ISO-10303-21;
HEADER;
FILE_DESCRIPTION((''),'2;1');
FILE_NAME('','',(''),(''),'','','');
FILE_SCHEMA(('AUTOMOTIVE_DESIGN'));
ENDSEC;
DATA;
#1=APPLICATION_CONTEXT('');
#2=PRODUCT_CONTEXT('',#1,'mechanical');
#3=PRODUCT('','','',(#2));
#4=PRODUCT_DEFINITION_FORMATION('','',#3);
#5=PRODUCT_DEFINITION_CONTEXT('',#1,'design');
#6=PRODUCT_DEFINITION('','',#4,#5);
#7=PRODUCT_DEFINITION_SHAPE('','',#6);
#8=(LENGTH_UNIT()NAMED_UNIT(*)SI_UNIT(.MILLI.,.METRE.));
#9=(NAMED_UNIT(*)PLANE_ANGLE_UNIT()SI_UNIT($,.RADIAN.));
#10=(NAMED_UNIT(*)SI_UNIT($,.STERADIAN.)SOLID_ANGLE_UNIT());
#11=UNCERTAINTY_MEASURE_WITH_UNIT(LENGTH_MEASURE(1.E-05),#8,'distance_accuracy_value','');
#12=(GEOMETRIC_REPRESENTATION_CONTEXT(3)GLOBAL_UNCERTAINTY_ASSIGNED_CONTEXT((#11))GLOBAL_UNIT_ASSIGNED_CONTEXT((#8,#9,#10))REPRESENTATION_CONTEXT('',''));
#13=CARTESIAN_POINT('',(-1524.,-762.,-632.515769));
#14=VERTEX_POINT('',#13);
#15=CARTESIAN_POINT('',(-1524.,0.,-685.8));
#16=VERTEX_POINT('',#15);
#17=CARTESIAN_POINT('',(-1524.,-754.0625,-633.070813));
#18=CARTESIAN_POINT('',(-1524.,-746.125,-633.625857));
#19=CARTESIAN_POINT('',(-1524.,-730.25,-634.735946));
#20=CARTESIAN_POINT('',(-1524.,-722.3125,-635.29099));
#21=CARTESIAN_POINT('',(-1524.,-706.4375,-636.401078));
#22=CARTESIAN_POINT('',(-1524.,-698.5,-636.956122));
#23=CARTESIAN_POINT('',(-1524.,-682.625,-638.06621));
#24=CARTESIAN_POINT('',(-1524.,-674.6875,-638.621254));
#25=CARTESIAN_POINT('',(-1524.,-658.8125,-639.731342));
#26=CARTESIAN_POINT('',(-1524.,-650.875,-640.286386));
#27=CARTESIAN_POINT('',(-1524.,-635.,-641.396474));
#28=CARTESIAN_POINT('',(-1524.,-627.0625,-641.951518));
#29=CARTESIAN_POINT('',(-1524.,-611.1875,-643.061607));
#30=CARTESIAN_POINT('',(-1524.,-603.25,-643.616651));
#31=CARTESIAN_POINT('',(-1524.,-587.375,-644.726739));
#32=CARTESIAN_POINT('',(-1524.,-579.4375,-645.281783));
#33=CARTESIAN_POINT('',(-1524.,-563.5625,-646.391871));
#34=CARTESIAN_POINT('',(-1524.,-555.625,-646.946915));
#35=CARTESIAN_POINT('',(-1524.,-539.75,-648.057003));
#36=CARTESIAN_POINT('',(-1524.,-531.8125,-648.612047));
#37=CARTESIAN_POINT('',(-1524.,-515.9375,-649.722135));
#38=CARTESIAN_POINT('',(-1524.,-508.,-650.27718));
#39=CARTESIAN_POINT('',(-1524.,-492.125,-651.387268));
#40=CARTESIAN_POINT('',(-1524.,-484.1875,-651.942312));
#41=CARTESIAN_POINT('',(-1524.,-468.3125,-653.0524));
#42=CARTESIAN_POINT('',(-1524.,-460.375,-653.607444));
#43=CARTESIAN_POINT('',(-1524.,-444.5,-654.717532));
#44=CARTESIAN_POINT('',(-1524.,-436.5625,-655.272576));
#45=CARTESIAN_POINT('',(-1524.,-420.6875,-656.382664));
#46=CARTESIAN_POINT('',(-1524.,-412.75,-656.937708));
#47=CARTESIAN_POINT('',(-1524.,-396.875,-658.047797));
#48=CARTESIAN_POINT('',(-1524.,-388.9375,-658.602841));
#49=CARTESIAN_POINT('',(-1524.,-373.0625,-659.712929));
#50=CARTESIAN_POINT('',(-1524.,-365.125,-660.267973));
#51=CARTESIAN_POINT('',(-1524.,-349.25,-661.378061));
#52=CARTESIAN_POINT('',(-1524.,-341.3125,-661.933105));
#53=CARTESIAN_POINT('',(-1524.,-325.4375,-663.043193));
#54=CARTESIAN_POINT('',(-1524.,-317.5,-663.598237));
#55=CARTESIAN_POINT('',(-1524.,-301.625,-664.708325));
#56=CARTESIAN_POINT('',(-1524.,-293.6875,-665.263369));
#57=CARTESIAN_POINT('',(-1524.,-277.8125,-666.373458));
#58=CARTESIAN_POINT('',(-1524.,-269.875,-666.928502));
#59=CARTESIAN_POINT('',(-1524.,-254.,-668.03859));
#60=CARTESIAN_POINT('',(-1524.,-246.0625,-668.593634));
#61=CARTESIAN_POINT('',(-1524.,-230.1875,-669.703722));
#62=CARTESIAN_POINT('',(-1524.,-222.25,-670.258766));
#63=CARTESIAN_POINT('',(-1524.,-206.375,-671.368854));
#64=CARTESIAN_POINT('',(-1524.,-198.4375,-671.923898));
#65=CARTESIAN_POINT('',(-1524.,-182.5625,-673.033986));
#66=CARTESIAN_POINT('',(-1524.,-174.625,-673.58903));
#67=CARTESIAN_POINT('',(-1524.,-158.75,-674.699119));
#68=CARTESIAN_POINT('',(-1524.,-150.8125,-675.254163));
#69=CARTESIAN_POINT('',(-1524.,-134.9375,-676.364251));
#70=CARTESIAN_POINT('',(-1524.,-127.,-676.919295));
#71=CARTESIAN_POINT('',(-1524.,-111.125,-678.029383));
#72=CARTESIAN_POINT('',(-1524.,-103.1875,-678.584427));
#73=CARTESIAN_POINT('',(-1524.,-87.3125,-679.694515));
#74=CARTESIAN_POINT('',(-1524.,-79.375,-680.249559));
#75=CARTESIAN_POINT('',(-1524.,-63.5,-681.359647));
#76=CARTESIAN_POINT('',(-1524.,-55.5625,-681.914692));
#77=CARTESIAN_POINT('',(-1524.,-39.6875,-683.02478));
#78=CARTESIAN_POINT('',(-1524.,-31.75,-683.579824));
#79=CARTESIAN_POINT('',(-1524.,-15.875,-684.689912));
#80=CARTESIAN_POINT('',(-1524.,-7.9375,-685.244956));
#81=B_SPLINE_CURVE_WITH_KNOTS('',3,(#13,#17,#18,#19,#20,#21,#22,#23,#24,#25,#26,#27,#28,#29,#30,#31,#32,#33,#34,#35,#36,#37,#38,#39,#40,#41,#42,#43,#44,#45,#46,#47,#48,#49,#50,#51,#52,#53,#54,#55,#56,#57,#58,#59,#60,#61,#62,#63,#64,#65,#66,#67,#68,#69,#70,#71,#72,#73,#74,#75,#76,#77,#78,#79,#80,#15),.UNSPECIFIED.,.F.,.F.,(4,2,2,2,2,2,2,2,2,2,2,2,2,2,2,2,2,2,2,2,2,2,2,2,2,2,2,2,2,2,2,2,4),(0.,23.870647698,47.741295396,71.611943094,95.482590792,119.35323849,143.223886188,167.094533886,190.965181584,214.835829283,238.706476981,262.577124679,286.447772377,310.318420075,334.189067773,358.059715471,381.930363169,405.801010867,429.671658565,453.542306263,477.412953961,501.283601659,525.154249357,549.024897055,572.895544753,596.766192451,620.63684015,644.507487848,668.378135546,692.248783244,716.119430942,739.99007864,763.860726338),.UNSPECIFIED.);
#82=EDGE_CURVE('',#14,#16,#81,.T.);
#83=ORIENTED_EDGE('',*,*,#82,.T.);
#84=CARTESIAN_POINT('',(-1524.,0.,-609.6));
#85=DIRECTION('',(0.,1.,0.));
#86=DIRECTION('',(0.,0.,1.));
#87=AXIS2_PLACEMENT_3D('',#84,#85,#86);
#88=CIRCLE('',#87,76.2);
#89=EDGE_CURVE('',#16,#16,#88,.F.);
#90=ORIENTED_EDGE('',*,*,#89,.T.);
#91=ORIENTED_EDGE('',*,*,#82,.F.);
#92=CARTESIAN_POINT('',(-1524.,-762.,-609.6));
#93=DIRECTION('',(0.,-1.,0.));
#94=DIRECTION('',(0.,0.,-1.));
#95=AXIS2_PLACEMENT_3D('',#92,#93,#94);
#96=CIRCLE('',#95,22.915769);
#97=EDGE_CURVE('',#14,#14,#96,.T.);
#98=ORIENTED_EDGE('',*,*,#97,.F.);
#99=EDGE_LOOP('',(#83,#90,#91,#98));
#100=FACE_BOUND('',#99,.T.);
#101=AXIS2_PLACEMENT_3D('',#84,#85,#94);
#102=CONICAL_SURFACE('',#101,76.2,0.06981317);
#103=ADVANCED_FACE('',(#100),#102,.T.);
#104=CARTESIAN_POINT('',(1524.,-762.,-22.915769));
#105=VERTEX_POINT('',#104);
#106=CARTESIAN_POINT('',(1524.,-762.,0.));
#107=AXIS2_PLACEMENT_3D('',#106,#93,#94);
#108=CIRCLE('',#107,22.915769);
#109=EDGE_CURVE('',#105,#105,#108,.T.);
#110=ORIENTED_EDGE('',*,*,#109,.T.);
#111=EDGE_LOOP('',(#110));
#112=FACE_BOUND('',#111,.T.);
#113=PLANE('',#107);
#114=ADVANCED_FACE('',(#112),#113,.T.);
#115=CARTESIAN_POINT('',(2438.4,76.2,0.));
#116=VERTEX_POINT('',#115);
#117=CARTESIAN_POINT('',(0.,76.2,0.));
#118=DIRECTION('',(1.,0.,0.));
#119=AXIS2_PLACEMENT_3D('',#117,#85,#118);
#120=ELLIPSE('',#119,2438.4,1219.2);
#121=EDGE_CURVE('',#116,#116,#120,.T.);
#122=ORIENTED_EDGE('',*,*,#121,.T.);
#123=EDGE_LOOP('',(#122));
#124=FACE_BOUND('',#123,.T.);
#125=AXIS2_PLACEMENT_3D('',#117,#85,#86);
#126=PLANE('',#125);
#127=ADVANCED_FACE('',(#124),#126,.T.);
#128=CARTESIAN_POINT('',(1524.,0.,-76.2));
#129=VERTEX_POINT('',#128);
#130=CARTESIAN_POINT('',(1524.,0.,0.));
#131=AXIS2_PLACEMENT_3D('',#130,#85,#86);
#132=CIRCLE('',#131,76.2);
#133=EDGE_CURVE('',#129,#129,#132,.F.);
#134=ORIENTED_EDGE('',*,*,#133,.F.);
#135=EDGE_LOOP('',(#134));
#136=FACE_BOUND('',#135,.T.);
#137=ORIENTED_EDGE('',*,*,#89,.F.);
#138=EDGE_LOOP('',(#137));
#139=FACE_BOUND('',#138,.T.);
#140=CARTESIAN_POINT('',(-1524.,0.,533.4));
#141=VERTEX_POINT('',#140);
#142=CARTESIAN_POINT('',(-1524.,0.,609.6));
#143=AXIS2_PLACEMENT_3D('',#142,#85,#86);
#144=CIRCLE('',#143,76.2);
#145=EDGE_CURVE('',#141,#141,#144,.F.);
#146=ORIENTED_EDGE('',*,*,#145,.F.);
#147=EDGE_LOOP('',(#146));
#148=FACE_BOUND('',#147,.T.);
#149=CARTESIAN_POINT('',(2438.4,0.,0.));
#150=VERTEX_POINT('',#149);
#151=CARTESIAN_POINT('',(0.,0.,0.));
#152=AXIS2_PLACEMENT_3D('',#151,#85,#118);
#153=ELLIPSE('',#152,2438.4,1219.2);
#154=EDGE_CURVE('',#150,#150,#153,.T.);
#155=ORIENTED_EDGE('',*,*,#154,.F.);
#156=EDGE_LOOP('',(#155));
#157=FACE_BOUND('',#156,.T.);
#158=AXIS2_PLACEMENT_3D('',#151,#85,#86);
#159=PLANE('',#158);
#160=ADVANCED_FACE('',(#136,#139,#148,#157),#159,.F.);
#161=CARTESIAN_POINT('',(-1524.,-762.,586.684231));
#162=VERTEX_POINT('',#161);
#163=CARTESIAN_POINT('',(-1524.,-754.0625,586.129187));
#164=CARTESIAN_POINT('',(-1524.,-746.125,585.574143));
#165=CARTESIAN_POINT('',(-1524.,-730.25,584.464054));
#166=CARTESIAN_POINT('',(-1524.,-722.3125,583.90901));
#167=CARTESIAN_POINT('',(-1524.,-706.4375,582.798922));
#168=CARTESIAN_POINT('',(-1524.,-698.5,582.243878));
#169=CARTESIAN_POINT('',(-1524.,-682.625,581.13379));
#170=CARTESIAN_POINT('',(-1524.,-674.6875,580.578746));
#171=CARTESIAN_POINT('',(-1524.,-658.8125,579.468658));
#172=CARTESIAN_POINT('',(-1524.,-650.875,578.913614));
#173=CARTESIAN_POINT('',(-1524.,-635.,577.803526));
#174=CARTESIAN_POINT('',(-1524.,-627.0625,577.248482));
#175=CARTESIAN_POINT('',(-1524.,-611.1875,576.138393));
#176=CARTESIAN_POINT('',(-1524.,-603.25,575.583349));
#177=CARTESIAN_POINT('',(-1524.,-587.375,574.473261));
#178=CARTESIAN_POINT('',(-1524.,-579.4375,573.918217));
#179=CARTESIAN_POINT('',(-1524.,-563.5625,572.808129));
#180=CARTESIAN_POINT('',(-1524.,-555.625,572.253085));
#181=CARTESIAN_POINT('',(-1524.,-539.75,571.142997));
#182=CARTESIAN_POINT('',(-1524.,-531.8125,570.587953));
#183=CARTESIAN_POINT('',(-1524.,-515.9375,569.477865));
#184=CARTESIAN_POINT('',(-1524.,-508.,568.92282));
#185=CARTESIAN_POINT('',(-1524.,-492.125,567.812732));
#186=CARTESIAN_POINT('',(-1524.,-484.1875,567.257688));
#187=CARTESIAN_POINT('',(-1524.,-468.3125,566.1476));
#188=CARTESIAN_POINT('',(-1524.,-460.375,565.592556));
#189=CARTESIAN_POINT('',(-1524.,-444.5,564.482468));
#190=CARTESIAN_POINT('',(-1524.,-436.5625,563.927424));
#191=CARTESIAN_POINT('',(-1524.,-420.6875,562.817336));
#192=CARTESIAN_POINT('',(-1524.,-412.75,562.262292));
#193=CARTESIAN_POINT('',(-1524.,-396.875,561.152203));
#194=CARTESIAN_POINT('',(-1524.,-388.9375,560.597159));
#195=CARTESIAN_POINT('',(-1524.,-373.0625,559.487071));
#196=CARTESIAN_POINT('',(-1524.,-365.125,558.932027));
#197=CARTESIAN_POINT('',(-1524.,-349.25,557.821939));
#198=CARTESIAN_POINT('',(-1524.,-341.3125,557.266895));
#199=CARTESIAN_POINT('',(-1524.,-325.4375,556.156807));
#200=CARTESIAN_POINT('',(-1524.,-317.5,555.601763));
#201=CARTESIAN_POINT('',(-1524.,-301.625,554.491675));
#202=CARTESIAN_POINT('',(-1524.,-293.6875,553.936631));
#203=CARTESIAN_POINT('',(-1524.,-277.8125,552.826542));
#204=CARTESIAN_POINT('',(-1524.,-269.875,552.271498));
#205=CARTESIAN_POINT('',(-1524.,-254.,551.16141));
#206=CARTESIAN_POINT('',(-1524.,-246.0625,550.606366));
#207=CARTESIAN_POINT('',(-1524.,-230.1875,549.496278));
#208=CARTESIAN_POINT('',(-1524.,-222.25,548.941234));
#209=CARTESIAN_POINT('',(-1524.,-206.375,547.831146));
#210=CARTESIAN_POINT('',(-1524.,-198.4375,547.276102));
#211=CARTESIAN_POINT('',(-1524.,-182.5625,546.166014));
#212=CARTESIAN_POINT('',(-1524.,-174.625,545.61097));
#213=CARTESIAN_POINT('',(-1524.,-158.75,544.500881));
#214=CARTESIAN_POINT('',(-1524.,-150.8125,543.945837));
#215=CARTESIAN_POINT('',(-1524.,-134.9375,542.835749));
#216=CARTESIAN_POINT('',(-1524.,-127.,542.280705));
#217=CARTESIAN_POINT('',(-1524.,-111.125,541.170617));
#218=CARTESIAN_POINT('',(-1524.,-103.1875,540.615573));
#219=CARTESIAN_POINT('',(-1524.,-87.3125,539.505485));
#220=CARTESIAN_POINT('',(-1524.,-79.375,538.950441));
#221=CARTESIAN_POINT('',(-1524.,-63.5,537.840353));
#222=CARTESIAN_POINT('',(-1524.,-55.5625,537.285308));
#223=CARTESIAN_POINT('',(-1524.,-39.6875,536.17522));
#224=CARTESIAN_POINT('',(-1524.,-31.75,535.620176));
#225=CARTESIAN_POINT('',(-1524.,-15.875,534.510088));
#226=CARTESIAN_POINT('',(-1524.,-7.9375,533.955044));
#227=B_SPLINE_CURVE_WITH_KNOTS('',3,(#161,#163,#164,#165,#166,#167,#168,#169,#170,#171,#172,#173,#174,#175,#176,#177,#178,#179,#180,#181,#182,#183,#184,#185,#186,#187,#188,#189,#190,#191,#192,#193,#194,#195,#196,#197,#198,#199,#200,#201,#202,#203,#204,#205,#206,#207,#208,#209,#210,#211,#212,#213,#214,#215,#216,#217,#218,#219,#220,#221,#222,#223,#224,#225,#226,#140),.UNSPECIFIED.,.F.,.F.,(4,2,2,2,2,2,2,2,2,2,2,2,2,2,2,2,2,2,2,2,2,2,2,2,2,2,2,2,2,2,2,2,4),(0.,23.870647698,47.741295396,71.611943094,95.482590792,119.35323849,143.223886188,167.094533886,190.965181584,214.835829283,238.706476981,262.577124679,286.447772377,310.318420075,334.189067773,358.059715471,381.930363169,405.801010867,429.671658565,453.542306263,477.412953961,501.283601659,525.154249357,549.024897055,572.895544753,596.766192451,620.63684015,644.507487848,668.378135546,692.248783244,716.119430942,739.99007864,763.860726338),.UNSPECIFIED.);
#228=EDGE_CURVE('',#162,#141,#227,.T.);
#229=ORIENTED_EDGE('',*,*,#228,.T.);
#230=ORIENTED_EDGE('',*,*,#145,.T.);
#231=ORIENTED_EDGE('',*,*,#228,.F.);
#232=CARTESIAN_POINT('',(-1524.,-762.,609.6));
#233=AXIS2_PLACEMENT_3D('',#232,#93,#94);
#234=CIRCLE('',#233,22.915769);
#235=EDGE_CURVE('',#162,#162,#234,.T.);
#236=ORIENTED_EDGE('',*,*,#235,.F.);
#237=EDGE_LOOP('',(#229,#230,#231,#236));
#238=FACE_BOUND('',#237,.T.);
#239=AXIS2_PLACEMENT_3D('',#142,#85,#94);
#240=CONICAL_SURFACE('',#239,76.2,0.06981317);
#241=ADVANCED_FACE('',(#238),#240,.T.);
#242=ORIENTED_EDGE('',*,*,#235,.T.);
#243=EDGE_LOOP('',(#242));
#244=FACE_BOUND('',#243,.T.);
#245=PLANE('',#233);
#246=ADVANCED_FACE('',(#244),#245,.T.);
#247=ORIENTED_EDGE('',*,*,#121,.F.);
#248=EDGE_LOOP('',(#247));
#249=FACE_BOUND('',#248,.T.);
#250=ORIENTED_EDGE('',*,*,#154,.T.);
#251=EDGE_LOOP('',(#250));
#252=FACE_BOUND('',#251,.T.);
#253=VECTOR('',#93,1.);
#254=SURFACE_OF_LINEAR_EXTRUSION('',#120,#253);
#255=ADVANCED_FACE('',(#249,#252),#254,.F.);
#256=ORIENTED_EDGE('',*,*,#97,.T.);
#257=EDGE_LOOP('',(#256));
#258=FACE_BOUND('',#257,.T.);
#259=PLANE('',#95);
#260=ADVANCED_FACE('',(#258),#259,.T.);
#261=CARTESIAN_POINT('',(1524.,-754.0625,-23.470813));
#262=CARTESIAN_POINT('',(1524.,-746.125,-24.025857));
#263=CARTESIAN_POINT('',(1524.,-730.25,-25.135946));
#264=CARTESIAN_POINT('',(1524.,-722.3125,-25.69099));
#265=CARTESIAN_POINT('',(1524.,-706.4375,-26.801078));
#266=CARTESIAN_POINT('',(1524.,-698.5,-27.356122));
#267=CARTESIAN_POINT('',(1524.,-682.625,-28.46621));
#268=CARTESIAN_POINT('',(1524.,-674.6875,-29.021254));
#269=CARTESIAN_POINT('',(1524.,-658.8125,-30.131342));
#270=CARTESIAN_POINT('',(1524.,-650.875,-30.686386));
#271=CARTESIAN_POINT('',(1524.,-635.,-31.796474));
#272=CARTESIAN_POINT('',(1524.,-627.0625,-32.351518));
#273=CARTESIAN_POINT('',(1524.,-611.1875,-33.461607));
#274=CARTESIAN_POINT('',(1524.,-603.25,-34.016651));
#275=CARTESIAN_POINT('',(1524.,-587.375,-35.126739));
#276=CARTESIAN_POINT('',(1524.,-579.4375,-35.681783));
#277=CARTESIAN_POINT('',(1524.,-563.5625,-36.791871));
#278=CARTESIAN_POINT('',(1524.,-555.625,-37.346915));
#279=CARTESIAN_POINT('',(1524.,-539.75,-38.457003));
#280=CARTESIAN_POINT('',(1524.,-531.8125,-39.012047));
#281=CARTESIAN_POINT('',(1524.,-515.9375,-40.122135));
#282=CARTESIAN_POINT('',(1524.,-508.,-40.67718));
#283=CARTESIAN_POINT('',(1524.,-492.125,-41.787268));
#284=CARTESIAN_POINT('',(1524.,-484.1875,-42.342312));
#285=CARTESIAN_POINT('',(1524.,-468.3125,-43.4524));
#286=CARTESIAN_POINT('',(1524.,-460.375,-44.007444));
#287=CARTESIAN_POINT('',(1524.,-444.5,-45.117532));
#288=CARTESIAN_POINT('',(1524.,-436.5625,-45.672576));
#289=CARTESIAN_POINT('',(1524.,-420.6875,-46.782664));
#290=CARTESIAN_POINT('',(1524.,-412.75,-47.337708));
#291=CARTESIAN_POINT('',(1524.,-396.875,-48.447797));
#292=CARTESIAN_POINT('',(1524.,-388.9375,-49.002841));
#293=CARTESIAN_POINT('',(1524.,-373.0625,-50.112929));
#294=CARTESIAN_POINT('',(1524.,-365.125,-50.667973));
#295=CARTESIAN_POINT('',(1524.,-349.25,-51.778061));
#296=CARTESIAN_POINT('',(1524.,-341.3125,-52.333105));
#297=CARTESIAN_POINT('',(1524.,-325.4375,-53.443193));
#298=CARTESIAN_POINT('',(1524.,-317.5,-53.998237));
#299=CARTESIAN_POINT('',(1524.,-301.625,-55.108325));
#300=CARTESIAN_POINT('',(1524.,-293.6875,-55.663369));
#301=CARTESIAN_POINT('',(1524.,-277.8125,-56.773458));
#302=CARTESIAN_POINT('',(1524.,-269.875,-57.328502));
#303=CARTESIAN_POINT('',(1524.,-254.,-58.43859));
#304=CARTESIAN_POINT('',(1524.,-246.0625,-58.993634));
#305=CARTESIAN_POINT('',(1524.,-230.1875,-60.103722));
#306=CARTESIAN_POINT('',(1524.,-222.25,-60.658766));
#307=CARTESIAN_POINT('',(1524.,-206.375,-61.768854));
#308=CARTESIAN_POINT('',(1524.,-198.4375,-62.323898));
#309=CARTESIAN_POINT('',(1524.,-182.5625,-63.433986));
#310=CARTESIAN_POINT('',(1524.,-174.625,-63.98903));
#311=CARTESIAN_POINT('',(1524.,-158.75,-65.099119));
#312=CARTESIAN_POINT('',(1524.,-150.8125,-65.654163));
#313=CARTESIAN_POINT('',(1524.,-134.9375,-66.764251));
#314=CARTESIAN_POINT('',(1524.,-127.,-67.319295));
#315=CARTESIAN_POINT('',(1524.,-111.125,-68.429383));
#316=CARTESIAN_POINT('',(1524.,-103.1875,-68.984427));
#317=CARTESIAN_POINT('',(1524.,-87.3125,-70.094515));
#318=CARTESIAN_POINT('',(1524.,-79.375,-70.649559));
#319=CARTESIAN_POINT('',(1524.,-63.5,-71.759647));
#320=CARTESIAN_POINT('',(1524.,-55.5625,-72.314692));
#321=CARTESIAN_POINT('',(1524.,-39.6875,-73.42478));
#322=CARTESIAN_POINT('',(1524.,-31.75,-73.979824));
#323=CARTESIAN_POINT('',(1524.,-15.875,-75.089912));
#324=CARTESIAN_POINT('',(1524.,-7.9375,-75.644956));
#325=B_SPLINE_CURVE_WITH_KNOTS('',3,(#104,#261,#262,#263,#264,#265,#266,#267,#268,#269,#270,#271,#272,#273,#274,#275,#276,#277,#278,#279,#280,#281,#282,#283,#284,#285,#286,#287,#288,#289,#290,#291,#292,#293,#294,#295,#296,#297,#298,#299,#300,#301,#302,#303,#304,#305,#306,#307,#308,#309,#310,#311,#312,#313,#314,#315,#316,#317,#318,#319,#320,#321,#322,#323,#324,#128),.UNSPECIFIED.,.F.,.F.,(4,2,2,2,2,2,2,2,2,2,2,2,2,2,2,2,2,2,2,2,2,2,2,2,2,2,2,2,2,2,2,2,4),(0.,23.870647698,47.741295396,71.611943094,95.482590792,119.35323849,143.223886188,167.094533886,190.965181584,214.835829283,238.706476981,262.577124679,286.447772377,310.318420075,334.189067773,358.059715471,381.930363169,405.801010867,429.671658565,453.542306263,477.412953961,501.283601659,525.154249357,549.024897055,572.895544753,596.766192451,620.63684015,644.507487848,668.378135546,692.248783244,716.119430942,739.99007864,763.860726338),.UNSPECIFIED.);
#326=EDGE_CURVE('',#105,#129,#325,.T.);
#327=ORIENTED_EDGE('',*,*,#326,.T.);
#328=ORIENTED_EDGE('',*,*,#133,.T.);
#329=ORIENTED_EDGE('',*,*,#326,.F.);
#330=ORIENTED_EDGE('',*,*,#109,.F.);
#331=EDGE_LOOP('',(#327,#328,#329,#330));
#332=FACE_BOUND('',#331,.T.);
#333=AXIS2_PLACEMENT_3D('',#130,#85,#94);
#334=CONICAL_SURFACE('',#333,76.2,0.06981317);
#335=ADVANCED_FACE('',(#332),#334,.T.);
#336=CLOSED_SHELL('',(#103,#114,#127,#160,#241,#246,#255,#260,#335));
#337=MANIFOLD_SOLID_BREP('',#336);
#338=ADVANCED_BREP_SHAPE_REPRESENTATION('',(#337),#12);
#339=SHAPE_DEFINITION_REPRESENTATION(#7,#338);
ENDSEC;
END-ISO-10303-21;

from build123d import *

# Parameters (mm, degrees)
SKETCH2_RX                    = 2438.4
SKETCH2_RY                    = 1219.2
BOSS_EXTRUDE2_DEPTH           = 76.2
SKETCH3_R                     = 76.2
BOSS_EXTRUDE3_DEPTH           = 762
BOSS_EXTRUDE3_DRAFT           = 4
BOSS_EXTRUDE3_PROFILE_2_DEPTH = 762
BOSS_EXTRUDE3_PROFILE_2_DRAFT = 4
BOSS_EXTRUDE3_PROFILE_3_DEPTH = 762
BOSS_EXTRUDE3_PROFILE_3_DRAFT = 4


with BuildPart() as part:
    # Sketch2 → Boss-Extrude2 (new body)
    with BuildSketch(Plane(origin=(0, 0, 0), x_dir=(1, 0, 0), z_dir=(0, 1, 0))):
        with Locations((0, 0)):
            Ellipse(SKETCH2_RX, SKETCH2_RY)
    extrude(amount=BOSS_EXTRUDE2_DEPTH)


with BuildPart() as boss_extrude3_tool:
    # Sketch3 → Boss-Extrude3 (with draft: the straight prism first)
    with BuildSketch(Plane(origin=(0, 0, 0), x_dir=(-1, 0, 0), z_dir=(0, -1, 0))):
        with Locations((1524, -609.6)):
            Circle(SKETCH3_R)
    extrude(amount=BOSS_EXTRUDE3_DEPTH)
    # Boss-Extrude3: the draft: its side faces are tilted about the plane it starts from
    boss_extrude3_sides = [boss_extrude3_tool.faces().sort_by_distance(p)[0] for p in [
        (-1447.8, -381, 609.6),
    ]]
    draft(boss_extrude3_sides, Plane(origin=(0, 0, 0), x_dir=(-1, 0, 0), z_dir=(0, -1, 0)), BOSS_EXTRUDE3_DRAFT)


with BuildPart() as part_1:
    add(part.part)

    # Boss-Extrude3: add boss_extrude3_tool
    add(boss_extrude3_tool.part)


with BuildPart() as boss_extrude3_profile_2_tool:
    # Sketch3 → Boss-Extrude3 profile 2 (with draft: the straight prism first)
    with BuildSketch(Plane(origin=(0, 0, 0), x_dir=(-1, 0, 0), z_dir=(0, -1, 0))):
        with Locations((1524, 609.6)):
            Circle(SKETCH3_R)
    extrude(amount=BOSS_EXTRUDE3_PROFILE_2_DEPTH)
    # Boss-Extrude3 profile 2: the draft: its side faces are tilted about the plane it starts from
    boss_extrude3_profile_2_sides = [boss_extrude3_profile_2_tool.faces().sort_by_distance(p)[0] for p in [
        (-1447.8, -381, -609.6),
    ]]
    draft(boss_extrude3_profile_2_sides, Plane(origin=(0, 0, 0), x_dir=(-1, 0, 0), z_dir=(0, -1, 0)), BOSS_EXTRUDE3_PROFILE_2_DRAFT)


with BuildPart() as part_2:
    add(part_1.part)

    # Boss-Extrude3 profile 2: add boss_extrude3_profile_2_tool
    add(boss_extrude3_profile_2_tool.part)


with BuildPart() as boss_extrude3_profile_3_tool:
    # Sketch3 → Boss-Extrude3 profile 3 (with draft: the straight prism first)
    with BuildSketch(Plane(origin=(0, 0, 0), x_dir=(-1, 0, 0), z_dir=(0, -1, 0))):
        with Locations((-1524, 0)):
            Circle(SKETCH3_R)
    extrude(amount=BOSS_EXTRUDE3_PROFILE_3_DEPTH)
    # Boss-Extrude3 profile 3: the draft: its side faces are tilted about the plane it starts from
    boss_extrude3_profile_3_sides = [boss_extrude3_profile_3_tool.faces().sort_by_distance(p)[0] for p in [
        (1600.2, -381, 0),
    ]]
    draft(boss_extrude3_profile_3_sides, Plane(origin=(0, 0, 0), x_dir=(-1, 0, 0), z_dir=(0, -1, 0)), BOSS_EXTRUDE3_PROFILE_3_DRAFT)


with BuildPart() as part_3:
    add(part_2.part)

    # Boss-Extrude3 profile 3: add boss_extrude3_profile_3_tool
    add(boss_extrude3_profile_3_tool.part)


solid = part_3.part
